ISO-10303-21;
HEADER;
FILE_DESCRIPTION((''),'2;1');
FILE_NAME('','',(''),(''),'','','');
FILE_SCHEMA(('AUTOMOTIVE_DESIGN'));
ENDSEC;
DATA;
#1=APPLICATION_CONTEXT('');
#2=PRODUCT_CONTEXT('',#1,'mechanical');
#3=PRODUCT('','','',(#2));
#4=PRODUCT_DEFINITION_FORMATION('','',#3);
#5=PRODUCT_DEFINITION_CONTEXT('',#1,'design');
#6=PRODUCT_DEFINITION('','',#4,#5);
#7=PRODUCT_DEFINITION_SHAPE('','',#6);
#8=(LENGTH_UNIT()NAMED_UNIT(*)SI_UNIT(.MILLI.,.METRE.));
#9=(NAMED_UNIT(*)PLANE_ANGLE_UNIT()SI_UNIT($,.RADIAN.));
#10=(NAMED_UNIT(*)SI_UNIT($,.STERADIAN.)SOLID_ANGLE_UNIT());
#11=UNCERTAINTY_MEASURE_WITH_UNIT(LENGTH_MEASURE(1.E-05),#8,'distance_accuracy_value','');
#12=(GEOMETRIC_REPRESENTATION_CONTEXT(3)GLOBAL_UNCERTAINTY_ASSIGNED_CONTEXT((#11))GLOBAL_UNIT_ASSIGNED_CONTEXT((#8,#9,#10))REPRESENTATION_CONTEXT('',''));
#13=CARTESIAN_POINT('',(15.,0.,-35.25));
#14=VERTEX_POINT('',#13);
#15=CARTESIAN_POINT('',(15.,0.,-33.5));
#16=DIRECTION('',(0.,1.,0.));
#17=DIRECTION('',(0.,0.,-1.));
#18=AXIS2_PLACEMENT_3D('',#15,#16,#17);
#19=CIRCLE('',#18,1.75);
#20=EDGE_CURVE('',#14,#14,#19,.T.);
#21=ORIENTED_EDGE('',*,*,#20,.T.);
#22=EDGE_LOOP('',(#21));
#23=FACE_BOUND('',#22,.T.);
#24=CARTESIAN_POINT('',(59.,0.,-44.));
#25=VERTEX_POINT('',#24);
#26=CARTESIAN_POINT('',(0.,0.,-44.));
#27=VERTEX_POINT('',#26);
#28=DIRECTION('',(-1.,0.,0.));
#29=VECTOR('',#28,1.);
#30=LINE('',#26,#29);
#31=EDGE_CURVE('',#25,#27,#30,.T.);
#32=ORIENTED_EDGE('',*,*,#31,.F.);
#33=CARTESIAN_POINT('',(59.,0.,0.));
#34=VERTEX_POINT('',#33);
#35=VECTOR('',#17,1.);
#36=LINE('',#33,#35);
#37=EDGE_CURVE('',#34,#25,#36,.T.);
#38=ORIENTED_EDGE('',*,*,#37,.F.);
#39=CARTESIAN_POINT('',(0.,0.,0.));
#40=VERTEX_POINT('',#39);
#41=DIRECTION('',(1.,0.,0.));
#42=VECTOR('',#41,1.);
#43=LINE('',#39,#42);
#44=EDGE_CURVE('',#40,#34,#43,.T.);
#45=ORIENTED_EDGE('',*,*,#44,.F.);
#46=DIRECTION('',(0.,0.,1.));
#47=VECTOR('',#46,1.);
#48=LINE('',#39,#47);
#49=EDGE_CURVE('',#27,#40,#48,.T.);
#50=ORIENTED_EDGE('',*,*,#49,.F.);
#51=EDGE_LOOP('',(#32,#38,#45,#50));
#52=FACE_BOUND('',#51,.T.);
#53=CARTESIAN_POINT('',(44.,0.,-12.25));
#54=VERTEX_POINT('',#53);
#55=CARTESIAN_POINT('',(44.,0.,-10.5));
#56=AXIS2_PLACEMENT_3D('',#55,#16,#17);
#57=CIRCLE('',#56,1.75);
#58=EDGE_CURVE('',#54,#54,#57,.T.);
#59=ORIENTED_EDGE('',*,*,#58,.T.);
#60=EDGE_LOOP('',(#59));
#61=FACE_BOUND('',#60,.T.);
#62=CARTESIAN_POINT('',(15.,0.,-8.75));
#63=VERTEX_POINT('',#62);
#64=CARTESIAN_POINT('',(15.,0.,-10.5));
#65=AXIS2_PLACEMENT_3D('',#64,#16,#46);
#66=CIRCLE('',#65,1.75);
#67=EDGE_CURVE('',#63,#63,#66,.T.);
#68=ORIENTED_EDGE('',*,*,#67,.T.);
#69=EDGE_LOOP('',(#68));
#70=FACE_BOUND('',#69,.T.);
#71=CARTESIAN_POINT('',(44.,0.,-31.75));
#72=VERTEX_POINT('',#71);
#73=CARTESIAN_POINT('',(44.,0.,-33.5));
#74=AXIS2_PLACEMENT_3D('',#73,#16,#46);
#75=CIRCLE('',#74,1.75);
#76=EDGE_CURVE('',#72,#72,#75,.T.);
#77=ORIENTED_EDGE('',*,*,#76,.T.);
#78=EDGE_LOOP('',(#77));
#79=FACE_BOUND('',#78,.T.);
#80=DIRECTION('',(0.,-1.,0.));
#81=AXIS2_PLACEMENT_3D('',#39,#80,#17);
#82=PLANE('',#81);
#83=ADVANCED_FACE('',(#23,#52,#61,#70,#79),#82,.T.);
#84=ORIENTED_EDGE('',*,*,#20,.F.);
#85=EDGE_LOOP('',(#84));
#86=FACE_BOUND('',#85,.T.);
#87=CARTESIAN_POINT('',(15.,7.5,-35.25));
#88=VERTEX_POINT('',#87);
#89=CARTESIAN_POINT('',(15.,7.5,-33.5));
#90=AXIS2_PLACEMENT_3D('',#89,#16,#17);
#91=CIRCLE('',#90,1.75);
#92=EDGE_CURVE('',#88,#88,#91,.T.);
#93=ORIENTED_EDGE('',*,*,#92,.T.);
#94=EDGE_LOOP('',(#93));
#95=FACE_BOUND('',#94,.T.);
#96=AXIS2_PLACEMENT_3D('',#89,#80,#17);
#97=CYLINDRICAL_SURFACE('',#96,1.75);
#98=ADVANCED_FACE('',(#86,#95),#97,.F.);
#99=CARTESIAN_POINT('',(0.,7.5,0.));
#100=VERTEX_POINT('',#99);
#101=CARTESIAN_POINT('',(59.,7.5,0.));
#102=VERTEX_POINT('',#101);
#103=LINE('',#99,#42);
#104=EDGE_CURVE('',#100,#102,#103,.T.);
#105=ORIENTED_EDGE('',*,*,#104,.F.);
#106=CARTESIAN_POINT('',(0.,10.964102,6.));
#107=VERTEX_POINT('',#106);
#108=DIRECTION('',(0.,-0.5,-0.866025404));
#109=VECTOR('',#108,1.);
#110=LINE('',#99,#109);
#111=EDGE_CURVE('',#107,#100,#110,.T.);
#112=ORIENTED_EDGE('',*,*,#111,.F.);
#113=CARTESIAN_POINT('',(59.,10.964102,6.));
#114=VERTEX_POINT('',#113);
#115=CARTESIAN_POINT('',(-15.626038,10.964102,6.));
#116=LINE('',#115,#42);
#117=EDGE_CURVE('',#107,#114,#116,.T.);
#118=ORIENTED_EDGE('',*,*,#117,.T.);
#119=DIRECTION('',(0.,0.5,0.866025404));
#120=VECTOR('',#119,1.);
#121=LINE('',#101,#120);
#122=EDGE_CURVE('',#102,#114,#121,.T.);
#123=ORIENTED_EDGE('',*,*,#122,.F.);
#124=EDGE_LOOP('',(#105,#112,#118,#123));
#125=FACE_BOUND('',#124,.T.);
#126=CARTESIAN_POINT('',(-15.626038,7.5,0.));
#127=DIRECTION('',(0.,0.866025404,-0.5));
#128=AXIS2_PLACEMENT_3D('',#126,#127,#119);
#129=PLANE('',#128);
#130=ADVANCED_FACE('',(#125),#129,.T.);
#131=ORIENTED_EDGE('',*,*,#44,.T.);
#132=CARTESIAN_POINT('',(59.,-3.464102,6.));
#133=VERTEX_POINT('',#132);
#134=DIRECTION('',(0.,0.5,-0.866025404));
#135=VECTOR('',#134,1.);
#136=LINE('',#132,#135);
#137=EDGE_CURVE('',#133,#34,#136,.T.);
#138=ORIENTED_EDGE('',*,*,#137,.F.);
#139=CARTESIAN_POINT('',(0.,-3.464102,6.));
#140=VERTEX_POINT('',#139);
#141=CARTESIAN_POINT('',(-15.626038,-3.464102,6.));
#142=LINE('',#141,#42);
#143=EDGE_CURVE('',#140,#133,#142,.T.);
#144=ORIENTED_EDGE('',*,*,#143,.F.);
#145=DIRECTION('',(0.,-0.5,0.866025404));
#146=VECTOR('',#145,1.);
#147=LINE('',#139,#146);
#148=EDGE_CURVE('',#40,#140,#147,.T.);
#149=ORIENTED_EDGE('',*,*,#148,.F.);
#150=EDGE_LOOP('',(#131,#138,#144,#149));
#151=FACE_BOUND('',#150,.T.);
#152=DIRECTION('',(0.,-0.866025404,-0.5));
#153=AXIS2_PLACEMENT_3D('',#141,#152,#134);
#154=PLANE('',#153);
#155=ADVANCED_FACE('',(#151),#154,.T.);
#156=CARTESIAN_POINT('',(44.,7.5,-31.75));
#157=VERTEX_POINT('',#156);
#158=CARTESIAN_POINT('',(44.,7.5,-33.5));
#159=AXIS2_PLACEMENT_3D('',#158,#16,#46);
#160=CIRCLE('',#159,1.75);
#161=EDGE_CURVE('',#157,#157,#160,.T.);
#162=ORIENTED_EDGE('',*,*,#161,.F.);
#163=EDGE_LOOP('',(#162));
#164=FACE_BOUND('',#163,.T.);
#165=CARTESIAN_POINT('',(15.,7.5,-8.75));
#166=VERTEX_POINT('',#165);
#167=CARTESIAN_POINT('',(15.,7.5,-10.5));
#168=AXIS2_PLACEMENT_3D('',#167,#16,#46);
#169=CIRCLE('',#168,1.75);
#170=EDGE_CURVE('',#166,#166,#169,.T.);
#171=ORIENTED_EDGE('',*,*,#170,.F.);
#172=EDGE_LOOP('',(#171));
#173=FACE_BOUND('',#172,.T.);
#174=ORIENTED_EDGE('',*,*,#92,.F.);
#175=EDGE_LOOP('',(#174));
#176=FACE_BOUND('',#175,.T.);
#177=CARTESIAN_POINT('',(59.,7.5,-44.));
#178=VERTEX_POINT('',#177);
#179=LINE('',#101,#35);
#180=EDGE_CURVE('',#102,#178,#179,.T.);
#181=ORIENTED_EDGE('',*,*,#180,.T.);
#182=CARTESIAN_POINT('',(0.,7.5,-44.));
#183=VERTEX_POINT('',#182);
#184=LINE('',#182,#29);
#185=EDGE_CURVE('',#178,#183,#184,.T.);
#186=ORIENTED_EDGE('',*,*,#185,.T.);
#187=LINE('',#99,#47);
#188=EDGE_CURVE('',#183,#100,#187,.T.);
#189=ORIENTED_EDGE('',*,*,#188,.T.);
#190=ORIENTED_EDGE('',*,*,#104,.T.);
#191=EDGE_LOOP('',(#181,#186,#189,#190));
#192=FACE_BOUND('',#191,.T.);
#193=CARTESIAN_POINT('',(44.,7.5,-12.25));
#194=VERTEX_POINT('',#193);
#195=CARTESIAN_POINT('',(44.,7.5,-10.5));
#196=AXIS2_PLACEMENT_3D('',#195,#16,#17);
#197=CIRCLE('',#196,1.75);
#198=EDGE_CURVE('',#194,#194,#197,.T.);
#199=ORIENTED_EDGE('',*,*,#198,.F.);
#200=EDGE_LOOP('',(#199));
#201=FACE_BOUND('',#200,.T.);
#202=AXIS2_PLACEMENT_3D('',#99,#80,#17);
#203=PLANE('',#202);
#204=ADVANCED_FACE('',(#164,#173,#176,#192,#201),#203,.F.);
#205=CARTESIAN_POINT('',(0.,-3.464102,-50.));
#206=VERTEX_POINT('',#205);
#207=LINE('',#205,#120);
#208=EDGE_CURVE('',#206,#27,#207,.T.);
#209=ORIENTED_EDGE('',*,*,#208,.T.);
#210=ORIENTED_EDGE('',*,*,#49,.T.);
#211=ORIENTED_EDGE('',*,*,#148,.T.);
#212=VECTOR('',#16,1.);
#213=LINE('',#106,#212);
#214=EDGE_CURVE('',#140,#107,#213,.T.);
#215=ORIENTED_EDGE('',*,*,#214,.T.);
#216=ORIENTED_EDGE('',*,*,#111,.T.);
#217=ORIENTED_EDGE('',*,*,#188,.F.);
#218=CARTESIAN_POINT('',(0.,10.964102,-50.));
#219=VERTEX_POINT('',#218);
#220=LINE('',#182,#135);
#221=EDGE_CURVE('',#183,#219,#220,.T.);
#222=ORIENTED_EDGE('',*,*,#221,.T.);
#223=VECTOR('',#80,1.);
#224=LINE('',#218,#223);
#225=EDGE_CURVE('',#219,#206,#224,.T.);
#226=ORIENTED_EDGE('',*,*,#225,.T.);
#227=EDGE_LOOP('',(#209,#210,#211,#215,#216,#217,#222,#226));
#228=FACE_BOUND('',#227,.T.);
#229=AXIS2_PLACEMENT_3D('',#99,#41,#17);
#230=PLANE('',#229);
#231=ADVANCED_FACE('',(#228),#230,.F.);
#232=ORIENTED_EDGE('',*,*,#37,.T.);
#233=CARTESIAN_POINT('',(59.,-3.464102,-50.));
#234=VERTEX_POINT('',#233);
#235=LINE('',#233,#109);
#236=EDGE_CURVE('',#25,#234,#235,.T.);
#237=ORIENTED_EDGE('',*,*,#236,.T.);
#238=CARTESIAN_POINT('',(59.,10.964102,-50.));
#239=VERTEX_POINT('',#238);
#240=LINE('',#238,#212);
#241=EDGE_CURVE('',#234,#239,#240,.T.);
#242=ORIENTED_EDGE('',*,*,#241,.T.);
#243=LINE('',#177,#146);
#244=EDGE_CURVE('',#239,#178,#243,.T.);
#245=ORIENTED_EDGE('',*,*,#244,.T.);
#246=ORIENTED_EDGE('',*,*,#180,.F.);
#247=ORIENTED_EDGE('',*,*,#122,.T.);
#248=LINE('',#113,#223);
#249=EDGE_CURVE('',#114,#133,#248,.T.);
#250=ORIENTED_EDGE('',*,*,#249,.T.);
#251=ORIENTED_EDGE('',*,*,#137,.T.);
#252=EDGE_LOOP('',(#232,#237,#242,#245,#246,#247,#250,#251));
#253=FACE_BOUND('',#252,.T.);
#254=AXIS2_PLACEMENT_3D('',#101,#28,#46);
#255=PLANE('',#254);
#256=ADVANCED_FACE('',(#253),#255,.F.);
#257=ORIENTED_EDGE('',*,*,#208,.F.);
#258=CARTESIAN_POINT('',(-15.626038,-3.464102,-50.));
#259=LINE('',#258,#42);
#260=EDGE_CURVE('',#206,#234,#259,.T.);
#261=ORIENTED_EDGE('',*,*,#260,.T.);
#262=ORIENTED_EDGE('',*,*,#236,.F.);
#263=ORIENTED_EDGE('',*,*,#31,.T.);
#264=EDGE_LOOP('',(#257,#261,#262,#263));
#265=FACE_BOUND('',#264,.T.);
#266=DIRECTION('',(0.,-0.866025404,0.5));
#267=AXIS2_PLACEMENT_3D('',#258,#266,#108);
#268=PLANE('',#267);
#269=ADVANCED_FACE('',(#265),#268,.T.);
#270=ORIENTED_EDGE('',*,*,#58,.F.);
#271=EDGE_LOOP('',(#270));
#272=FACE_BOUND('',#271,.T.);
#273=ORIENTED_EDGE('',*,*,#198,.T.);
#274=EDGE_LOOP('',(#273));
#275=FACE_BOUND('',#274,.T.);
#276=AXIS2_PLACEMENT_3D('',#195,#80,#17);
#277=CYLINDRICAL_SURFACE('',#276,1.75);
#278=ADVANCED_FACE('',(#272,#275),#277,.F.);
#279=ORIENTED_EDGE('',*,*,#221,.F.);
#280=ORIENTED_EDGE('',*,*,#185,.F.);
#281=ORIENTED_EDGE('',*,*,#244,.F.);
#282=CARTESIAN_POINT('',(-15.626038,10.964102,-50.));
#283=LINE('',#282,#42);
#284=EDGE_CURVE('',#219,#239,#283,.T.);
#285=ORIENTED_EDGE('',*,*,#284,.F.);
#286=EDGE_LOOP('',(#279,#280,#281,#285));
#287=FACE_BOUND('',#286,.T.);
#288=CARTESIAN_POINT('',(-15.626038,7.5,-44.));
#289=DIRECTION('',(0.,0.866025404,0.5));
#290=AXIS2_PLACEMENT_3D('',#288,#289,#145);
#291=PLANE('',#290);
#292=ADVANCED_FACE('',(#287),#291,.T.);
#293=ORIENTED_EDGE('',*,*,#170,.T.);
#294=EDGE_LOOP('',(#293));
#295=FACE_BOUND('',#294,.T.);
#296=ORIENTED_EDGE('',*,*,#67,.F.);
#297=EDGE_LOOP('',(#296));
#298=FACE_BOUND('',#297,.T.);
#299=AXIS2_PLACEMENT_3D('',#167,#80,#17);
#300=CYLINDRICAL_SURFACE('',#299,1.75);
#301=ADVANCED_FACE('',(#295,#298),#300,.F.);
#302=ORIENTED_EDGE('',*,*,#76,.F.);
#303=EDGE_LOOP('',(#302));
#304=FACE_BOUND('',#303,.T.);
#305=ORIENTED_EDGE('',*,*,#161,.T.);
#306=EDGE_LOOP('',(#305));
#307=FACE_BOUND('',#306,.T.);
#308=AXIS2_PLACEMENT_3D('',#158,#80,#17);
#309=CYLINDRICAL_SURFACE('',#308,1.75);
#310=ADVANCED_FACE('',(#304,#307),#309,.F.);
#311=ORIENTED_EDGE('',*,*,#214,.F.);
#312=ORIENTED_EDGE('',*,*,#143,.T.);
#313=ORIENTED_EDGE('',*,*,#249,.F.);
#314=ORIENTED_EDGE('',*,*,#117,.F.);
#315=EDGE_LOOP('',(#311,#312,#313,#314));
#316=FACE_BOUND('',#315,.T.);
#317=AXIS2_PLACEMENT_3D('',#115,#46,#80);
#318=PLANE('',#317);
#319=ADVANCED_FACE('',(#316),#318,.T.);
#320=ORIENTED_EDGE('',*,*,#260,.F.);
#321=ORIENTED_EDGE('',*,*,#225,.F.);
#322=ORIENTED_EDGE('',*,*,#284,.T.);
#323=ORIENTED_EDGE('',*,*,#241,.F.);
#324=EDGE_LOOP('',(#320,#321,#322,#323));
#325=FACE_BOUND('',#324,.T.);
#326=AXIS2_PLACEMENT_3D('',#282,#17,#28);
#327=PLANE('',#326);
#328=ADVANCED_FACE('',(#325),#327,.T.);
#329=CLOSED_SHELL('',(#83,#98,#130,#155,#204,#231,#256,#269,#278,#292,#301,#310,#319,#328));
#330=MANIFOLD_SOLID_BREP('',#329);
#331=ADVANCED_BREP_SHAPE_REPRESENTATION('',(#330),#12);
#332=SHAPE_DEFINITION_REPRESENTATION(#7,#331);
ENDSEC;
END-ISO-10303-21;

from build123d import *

# Parameters (mm, degrees)
SKETCH1_W           = 59
SKETCH1_H           = 44
SKETCH1_R           = 1.75
BOSS_EXTRUDE1_DEPTH = 7.5
BOSS_EXTRUDE2_DEPTH = 59


with BuildPart() as part:
    # Sketch1 → Boss-Extrude1 (new body)
    with BuildSketch(Plane(origin=(0, 0, 0), x_dir=(1, 0, 0), z_dir=(0, 1, 0))):
        with Locations((29.5, 22)):
            Rectangle(SKETCH1_W, SKETCH1_H)
        with Locations(Location((15, 10.5, 0), (0, 0, 270))):
            Circle(SKETCH1_R, mode=Mode.SUBTRACT)
        with Locations(Location((44, 10.5, 0), (0, 0, 90))):
            Circle(SKETCH1_R, mode=Mode.SUBTRACT)
        with Locations(Location((15, 33.5, 0), (0, 0, 90))):
            Circle(SKETCH1_R, mode=Mode.SUBTRACT)
        with Locations(Location((44, 33.5, 0), (0, 0, 270))):
            Circle(SKETCH1_R, mode=Mode.SUBTRACT)
    extrude(amount=BOSS_EXTRUDE1_DEPTH)

    # Sketch3 → Boss-Extrude2 (add)
    with BuildSketch(Plane(origin=(59, 0, 0), x_dir=(0, 0, -1), z_dir=(1, 0, 0))):
        Polygon((0, 7.5), (-6, 10.964101615), (-6, -3.464101615), (0, 0), align=None)
        Polygon((44, 7.5), (50, 10.964101615), (50, -3.464101615), (44, 0), align=None)
    extrude(amount=-BOSS_EXTRUDE2_DEPTH)


solid = part.part
